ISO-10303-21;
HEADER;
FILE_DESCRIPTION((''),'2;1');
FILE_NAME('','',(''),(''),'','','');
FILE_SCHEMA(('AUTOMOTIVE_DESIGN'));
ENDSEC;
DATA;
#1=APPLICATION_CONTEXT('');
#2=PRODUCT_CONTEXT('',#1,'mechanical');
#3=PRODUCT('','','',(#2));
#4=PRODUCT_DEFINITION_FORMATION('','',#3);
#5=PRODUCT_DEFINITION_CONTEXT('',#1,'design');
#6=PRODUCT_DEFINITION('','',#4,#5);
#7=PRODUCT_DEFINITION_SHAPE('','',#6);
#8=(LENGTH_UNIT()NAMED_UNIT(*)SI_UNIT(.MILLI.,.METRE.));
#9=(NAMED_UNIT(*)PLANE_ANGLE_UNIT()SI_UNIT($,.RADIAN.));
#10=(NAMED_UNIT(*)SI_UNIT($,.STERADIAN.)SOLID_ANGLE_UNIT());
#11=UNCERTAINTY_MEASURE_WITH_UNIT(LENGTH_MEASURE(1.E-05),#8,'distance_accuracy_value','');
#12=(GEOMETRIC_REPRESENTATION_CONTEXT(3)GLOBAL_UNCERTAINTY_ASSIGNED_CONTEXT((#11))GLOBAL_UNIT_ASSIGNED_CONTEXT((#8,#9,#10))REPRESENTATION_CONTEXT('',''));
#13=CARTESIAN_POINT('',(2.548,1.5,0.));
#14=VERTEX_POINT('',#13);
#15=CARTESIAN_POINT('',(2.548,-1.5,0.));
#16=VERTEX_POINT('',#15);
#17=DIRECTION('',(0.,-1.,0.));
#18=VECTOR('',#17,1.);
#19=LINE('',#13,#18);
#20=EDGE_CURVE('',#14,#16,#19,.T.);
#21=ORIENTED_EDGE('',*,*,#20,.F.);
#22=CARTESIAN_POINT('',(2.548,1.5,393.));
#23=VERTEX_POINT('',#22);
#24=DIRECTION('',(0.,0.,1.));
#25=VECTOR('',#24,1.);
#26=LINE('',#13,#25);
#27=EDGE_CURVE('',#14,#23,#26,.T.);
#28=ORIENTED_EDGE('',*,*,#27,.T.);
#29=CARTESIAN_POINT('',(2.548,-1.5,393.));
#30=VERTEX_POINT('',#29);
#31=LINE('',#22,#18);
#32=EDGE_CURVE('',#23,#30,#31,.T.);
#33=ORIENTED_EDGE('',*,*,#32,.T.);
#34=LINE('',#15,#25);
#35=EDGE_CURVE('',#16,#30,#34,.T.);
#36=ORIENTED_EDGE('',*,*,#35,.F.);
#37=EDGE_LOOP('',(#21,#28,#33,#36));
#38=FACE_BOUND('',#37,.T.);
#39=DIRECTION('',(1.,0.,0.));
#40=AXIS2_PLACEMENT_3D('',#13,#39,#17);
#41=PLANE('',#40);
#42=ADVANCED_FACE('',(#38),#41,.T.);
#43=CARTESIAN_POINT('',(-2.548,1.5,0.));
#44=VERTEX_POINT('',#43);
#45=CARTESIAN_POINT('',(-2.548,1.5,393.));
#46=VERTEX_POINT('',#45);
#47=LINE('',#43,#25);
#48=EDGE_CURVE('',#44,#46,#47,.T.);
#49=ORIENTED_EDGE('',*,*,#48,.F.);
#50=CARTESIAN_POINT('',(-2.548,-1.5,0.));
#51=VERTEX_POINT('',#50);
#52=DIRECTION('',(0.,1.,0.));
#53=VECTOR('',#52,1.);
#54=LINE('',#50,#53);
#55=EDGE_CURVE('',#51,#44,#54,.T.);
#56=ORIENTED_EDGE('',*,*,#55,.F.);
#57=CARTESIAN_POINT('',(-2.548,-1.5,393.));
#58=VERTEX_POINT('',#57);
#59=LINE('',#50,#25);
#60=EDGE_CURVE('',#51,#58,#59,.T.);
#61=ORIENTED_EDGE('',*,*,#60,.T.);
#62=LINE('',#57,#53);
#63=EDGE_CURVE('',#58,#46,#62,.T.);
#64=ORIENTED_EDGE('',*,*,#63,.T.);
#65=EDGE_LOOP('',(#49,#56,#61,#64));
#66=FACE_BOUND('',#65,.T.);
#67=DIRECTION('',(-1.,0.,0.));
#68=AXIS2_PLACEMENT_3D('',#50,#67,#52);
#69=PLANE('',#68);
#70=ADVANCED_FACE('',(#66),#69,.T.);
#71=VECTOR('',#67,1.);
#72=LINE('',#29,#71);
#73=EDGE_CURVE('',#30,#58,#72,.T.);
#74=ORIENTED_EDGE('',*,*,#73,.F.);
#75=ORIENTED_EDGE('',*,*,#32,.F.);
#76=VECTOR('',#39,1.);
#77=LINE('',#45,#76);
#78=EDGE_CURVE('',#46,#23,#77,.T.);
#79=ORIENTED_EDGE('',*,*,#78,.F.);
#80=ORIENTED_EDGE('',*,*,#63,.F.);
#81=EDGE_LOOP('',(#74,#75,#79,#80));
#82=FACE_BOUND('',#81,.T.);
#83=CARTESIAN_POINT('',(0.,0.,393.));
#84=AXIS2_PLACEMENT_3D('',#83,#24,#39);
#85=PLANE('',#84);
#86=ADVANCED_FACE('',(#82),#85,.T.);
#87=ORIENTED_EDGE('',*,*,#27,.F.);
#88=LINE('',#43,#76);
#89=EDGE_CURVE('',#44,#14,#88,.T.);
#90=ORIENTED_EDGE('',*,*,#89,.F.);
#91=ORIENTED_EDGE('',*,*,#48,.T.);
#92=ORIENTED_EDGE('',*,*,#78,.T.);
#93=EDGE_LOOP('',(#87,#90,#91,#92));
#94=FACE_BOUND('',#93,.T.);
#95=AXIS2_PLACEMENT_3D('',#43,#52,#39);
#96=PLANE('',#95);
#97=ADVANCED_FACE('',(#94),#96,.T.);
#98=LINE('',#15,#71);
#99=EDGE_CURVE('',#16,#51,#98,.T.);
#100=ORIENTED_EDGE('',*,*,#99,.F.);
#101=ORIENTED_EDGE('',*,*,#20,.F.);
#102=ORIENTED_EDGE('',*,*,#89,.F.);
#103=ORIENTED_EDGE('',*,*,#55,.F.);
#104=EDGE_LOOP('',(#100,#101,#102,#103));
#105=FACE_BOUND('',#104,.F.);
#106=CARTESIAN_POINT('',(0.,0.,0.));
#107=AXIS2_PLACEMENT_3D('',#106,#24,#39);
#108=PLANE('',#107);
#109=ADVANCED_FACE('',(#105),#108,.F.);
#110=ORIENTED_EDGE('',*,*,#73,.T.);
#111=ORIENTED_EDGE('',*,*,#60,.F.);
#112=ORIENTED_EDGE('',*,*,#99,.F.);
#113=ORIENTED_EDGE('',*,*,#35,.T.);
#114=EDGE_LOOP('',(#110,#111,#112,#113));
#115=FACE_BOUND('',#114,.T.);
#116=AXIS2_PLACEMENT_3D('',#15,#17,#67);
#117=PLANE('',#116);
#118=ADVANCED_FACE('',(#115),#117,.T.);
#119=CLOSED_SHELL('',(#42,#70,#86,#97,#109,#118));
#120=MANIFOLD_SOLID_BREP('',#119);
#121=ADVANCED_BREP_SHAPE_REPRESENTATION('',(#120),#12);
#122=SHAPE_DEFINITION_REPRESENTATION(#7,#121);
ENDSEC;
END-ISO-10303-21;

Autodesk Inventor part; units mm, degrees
ref_plane "YZ Plane" through (0, 0, 0) normal (1, 0, 0) x (0, 1, 0)
ref_plane "XZ Plane" through (0, 0, 0) normal (0, 1, 0) x (-1, 0, 0)
ref_plane "XY Plane" through (0, 0, 0) normal (0, 0, 1) x (1, 0, 0)
sketch "Sketch1" plane through (0, 0, 0) normal (0, 0, 1) x (1, 0, 0)
  line L0 (-2.548, 1.5) -> (2.548, 1.5)
  line L1 (2.548, 1.5) -> (2.548, -1.5)
  line L2 (2.548, -1.5) -> (-2.548, -1.5)
  line L3 (-2.548, -1.5) -> (-2.548, 1.5)
  line L4 (-2.548, 1.5) -> (2.548, -1.5) construction
  line L5 (2.548, 1.5) -> (-2.548, -1.5) construction
  point P0 (0, 0)
  dimension "d0" = 5.096
  dimension "d1" = 3
extrude "Extrusion1" add sketch "Sketch1" along normal blind 393
properties part number "2P.03.01.12.IM.FlapTopSpanBeam" material "Wood (Birch)"
